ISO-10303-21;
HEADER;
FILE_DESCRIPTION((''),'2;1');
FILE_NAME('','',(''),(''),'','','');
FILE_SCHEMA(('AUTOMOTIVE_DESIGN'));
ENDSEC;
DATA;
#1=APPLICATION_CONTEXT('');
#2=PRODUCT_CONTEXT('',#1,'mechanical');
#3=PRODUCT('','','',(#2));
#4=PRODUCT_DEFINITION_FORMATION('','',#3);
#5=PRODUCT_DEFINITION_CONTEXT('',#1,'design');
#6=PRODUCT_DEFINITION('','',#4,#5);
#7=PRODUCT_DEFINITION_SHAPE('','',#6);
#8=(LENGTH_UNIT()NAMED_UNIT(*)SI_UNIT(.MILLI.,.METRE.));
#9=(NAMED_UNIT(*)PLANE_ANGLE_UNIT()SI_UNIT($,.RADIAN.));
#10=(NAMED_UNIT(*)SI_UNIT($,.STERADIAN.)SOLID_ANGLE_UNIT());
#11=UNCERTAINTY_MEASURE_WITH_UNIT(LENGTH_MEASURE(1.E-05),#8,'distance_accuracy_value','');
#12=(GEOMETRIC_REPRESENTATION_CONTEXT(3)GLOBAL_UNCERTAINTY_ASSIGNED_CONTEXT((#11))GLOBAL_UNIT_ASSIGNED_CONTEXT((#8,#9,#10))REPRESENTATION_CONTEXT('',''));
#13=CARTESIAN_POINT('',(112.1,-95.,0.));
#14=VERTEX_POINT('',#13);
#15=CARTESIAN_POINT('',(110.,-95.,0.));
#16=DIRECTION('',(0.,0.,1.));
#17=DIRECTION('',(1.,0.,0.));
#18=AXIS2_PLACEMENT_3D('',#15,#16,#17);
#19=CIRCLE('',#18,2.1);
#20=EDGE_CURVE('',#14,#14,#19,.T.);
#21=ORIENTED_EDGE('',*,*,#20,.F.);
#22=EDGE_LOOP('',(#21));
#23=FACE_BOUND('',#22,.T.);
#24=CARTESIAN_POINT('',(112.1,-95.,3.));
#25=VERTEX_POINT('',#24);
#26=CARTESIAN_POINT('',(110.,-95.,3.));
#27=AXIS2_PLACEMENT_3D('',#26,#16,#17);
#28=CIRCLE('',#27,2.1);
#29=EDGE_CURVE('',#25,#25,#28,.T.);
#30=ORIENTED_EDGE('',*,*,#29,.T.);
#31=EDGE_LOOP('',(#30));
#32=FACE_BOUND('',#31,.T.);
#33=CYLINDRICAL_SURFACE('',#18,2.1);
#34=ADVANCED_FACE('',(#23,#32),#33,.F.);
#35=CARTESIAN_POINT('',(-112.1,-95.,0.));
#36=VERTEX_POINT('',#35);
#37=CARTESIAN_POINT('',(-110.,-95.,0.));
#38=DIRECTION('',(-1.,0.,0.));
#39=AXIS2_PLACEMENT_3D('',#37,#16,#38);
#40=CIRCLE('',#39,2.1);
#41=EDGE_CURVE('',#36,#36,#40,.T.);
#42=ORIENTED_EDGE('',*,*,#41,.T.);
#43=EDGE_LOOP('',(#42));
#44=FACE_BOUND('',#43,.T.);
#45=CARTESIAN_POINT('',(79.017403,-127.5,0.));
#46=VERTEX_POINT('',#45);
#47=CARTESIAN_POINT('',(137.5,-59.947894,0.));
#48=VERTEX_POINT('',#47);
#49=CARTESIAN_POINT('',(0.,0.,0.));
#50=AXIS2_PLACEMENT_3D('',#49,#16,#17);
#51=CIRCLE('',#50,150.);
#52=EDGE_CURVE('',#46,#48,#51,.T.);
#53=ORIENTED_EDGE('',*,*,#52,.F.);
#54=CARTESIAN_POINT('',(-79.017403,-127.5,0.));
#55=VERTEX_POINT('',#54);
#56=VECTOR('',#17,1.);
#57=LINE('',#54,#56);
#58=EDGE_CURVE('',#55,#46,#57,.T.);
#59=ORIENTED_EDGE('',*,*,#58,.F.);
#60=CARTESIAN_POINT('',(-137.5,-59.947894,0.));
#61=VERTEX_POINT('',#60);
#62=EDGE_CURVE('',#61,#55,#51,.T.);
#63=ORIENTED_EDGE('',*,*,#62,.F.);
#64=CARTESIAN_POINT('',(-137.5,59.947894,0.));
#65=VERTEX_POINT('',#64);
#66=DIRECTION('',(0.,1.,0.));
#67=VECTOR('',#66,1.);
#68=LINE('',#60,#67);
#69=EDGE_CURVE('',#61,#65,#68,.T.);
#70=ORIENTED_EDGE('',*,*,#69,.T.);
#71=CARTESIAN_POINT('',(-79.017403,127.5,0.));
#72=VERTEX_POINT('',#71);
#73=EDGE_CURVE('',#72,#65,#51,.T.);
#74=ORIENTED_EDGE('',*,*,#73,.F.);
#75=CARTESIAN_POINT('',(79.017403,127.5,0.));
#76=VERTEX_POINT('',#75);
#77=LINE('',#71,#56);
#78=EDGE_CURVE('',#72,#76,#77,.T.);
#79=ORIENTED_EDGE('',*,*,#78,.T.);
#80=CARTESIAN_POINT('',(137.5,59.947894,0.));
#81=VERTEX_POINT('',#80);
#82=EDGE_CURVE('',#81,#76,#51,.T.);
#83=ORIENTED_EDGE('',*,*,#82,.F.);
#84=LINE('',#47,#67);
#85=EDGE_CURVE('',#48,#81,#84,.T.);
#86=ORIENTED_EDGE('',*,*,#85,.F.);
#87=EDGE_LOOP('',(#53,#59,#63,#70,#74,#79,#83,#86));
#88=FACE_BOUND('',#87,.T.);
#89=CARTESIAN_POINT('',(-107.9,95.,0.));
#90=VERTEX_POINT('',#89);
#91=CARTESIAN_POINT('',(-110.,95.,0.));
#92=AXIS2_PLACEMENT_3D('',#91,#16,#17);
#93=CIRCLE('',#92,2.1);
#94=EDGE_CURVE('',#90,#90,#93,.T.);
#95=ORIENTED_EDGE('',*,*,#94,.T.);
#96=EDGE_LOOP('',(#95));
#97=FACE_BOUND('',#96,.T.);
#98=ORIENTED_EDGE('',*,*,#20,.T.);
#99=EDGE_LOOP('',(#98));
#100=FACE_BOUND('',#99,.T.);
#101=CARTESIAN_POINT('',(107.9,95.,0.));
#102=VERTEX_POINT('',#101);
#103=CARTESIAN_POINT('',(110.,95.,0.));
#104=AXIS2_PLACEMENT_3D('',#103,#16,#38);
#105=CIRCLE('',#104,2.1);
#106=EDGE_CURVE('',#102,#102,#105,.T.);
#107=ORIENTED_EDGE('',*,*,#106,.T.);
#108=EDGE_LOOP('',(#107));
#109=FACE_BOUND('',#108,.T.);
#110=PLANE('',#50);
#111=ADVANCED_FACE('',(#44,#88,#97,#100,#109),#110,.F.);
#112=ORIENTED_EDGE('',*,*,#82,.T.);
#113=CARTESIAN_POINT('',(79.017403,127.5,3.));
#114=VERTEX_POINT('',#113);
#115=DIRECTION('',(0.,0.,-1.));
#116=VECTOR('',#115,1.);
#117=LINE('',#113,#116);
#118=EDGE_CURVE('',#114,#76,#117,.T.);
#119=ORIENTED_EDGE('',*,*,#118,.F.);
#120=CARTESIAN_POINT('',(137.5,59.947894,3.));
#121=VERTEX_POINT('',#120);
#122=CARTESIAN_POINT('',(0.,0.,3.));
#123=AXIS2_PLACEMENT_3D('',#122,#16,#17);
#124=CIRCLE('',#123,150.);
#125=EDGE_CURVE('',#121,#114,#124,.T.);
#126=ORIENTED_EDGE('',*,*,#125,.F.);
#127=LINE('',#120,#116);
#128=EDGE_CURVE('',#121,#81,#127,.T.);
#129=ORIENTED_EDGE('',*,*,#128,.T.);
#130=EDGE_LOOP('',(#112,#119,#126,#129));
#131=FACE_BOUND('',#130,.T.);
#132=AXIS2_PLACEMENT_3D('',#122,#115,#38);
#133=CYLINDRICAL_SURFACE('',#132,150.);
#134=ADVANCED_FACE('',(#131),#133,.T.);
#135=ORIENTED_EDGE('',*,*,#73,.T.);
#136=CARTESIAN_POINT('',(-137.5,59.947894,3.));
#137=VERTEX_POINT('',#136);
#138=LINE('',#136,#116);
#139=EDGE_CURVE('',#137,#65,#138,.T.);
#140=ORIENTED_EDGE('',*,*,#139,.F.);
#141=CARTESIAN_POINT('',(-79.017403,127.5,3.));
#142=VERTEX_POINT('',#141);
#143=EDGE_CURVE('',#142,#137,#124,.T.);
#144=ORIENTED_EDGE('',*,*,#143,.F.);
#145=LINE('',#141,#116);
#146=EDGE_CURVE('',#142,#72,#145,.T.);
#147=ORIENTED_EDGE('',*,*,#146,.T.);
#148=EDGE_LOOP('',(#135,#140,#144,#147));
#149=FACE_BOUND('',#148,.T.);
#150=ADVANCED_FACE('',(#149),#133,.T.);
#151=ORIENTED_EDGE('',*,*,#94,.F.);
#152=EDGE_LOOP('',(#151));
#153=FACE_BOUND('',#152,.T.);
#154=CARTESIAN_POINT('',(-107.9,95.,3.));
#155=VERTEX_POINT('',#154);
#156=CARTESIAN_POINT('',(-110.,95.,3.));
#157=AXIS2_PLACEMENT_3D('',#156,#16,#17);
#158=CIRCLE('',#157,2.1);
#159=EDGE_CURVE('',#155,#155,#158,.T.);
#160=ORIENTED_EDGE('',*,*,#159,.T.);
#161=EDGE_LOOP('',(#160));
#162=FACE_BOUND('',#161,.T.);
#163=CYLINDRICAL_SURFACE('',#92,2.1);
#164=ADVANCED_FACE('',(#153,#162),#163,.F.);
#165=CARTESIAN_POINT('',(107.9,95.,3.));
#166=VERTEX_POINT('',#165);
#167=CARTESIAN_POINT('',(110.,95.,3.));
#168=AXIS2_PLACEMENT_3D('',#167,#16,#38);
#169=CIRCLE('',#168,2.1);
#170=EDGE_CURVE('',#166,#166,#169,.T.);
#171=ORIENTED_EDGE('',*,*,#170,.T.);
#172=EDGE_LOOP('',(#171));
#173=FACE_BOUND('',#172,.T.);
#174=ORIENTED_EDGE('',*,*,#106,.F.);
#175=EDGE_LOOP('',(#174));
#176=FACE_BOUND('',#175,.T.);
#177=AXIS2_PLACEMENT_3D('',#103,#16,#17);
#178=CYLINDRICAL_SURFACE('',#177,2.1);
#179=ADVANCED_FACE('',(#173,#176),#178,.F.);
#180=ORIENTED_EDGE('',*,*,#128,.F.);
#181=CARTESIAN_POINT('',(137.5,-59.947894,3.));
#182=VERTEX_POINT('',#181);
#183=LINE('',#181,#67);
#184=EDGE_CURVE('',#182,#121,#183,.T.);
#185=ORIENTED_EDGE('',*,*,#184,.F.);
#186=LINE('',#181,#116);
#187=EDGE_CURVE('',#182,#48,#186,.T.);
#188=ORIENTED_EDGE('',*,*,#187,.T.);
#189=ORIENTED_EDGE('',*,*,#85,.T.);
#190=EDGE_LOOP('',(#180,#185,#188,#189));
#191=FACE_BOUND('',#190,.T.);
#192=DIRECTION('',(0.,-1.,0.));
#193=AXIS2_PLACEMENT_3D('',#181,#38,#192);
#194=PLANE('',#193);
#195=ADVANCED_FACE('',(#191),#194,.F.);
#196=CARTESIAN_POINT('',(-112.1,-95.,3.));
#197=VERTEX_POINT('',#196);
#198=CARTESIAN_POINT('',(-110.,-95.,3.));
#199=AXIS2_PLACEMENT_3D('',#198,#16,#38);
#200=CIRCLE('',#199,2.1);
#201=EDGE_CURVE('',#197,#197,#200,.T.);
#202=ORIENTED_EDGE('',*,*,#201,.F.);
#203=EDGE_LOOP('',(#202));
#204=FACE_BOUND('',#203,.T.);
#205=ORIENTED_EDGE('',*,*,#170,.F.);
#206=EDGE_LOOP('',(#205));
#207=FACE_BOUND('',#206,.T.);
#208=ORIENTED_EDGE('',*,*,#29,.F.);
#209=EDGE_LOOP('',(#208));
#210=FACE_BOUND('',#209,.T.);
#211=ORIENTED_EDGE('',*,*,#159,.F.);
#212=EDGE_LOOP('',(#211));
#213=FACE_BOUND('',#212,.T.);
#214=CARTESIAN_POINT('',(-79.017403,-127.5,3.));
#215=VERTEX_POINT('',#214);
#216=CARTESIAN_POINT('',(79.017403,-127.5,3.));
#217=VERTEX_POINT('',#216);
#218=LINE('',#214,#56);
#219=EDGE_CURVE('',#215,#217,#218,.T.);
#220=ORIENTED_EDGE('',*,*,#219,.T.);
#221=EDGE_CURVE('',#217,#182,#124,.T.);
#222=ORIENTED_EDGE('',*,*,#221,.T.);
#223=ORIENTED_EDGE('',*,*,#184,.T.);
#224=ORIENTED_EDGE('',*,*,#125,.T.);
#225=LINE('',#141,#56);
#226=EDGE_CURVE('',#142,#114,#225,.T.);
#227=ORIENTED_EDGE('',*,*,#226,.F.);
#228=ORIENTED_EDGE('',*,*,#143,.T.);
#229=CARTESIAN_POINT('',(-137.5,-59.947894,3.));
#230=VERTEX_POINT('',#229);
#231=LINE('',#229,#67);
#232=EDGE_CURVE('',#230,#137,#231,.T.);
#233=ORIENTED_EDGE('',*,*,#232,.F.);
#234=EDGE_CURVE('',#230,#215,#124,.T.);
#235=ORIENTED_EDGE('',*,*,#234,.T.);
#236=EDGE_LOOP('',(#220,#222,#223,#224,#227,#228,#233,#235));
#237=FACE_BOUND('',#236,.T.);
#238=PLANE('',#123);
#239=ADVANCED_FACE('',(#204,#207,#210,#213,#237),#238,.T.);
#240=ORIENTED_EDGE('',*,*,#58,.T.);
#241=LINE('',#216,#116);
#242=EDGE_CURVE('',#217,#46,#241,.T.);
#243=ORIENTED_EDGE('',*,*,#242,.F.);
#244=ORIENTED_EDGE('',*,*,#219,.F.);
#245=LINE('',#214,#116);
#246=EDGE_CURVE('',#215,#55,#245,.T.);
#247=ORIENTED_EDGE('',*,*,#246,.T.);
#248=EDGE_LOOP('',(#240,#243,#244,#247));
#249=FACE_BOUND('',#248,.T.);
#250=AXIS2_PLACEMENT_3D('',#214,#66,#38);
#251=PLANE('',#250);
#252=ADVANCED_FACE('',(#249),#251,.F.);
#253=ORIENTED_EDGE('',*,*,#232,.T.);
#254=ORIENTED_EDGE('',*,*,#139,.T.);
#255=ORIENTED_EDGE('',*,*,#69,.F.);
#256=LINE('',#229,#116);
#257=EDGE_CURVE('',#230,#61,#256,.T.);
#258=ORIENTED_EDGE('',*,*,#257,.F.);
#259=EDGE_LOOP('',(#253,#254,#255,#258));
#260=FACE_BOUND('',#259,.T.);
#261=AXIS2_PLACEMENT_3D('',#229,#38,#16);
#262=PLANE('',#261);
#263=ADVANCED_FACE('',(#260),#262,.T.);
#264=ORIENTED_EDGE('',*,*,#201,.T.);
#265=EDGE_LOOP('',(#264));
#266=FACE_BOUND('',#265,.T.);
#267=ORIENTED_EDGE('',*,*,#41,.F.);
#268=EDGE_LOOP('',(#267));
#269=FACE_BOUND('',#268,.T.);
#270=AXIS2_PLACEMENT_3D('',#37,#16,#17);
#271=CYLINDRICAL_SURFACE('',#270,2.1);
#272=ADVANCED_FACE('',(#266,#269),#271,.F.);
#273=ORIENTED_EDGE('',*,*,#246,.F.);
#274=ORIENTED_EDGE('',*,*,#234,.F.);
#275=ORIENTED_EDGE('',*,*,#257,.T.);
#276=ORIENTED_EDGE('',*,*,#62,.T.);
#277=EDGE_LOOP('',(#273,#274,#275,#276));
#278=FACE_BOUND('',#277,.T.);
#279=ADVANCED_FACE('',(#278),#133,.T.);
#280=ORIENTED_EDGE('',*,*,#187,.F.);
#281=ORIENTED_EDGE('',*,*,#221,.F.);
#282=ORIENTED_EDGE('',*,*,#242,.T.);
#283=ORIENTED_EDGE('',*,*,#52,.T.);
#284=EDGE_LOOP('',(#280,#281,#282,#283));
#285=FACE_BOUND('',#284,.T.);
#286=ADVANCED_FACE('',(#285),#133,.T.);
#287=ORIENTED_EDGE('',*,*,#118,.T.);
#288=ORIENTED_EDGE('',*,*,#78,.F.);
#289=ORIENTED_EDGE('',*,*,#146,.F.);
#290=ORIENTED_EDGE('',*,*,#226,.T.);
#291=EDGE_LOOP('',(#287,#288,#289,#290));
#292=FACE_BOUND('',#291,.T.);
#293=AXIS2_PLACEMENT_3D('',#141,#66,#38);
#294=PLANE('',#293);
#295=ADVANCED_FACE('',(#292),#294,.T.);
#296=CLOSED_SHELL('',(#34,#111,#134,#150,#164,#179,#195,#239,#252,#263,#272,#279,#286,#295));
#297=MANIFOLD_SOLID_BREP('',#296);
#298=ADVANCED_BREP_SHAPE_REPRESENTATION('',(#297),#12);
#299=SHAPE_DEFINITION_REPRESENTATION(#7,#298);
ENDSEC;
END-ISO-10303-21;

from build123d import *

# Parameters (mm, degrees)
BOSS_EXTRUDE1_DEPTH = 3
SKETCH3_R           = 2.1
CUT_EXTRUDE1_DEPTH  = 4


with BuildPart() as part:
    # Sketch1 → Boss-Extrude1 (new body)
    with BuildSketch(Plane.XY):
        with BuildLine():
            Line((-79.017403146, -127.5), (79.017403146, -127.5))
            ThreePointArc((79.017403146, -127.5), (113.405327129, -98.179589421), (137.5, -59.947894041))
            Line((137.5, -59.947894041), (137.5, 59.947894041))
            ThreePointArc((137.5, 59.947894041), (113.405327129, 98.179589421), (79.017403146, 127.5))
            Line((79.017403146, 127.5), (-79.017403146, 127.5))
            ThreePointArc((-79.017403146, 127.5), (-113.405327129, 98.179589421), (-137.5, 59.947894041))
            Line((-137.5, 59.947894041), (-137.5, -59.947894041))
            ThreePointArc((-137.5, -59.947894041), (-113.405327129, -98.179589421), (-79.017403146, -127.5))
        make_face()
    extrude(amount=BOSS_EXTRUDE1_DEPTH)

    # Sketch3 → Cut-Extrude1 (cut, through all)
    with BuildSketch(Plane.XY.offset(3)):
        with Locations((-110, 95)):
            Circle(SKETCH3_R)
        with Locations((110, 95)):
            Circle(SKETCH3_R)
        with Locations((110, -95)):
            Circle(SKETCH3_R)
        with Locations((-110, -95)):
            Circle(SKETCH3_R)
    extrude(amount=-CUT_EXTRUDE1_DEPTH, mode=Mode.SUBTRACT)


solid = part.part
